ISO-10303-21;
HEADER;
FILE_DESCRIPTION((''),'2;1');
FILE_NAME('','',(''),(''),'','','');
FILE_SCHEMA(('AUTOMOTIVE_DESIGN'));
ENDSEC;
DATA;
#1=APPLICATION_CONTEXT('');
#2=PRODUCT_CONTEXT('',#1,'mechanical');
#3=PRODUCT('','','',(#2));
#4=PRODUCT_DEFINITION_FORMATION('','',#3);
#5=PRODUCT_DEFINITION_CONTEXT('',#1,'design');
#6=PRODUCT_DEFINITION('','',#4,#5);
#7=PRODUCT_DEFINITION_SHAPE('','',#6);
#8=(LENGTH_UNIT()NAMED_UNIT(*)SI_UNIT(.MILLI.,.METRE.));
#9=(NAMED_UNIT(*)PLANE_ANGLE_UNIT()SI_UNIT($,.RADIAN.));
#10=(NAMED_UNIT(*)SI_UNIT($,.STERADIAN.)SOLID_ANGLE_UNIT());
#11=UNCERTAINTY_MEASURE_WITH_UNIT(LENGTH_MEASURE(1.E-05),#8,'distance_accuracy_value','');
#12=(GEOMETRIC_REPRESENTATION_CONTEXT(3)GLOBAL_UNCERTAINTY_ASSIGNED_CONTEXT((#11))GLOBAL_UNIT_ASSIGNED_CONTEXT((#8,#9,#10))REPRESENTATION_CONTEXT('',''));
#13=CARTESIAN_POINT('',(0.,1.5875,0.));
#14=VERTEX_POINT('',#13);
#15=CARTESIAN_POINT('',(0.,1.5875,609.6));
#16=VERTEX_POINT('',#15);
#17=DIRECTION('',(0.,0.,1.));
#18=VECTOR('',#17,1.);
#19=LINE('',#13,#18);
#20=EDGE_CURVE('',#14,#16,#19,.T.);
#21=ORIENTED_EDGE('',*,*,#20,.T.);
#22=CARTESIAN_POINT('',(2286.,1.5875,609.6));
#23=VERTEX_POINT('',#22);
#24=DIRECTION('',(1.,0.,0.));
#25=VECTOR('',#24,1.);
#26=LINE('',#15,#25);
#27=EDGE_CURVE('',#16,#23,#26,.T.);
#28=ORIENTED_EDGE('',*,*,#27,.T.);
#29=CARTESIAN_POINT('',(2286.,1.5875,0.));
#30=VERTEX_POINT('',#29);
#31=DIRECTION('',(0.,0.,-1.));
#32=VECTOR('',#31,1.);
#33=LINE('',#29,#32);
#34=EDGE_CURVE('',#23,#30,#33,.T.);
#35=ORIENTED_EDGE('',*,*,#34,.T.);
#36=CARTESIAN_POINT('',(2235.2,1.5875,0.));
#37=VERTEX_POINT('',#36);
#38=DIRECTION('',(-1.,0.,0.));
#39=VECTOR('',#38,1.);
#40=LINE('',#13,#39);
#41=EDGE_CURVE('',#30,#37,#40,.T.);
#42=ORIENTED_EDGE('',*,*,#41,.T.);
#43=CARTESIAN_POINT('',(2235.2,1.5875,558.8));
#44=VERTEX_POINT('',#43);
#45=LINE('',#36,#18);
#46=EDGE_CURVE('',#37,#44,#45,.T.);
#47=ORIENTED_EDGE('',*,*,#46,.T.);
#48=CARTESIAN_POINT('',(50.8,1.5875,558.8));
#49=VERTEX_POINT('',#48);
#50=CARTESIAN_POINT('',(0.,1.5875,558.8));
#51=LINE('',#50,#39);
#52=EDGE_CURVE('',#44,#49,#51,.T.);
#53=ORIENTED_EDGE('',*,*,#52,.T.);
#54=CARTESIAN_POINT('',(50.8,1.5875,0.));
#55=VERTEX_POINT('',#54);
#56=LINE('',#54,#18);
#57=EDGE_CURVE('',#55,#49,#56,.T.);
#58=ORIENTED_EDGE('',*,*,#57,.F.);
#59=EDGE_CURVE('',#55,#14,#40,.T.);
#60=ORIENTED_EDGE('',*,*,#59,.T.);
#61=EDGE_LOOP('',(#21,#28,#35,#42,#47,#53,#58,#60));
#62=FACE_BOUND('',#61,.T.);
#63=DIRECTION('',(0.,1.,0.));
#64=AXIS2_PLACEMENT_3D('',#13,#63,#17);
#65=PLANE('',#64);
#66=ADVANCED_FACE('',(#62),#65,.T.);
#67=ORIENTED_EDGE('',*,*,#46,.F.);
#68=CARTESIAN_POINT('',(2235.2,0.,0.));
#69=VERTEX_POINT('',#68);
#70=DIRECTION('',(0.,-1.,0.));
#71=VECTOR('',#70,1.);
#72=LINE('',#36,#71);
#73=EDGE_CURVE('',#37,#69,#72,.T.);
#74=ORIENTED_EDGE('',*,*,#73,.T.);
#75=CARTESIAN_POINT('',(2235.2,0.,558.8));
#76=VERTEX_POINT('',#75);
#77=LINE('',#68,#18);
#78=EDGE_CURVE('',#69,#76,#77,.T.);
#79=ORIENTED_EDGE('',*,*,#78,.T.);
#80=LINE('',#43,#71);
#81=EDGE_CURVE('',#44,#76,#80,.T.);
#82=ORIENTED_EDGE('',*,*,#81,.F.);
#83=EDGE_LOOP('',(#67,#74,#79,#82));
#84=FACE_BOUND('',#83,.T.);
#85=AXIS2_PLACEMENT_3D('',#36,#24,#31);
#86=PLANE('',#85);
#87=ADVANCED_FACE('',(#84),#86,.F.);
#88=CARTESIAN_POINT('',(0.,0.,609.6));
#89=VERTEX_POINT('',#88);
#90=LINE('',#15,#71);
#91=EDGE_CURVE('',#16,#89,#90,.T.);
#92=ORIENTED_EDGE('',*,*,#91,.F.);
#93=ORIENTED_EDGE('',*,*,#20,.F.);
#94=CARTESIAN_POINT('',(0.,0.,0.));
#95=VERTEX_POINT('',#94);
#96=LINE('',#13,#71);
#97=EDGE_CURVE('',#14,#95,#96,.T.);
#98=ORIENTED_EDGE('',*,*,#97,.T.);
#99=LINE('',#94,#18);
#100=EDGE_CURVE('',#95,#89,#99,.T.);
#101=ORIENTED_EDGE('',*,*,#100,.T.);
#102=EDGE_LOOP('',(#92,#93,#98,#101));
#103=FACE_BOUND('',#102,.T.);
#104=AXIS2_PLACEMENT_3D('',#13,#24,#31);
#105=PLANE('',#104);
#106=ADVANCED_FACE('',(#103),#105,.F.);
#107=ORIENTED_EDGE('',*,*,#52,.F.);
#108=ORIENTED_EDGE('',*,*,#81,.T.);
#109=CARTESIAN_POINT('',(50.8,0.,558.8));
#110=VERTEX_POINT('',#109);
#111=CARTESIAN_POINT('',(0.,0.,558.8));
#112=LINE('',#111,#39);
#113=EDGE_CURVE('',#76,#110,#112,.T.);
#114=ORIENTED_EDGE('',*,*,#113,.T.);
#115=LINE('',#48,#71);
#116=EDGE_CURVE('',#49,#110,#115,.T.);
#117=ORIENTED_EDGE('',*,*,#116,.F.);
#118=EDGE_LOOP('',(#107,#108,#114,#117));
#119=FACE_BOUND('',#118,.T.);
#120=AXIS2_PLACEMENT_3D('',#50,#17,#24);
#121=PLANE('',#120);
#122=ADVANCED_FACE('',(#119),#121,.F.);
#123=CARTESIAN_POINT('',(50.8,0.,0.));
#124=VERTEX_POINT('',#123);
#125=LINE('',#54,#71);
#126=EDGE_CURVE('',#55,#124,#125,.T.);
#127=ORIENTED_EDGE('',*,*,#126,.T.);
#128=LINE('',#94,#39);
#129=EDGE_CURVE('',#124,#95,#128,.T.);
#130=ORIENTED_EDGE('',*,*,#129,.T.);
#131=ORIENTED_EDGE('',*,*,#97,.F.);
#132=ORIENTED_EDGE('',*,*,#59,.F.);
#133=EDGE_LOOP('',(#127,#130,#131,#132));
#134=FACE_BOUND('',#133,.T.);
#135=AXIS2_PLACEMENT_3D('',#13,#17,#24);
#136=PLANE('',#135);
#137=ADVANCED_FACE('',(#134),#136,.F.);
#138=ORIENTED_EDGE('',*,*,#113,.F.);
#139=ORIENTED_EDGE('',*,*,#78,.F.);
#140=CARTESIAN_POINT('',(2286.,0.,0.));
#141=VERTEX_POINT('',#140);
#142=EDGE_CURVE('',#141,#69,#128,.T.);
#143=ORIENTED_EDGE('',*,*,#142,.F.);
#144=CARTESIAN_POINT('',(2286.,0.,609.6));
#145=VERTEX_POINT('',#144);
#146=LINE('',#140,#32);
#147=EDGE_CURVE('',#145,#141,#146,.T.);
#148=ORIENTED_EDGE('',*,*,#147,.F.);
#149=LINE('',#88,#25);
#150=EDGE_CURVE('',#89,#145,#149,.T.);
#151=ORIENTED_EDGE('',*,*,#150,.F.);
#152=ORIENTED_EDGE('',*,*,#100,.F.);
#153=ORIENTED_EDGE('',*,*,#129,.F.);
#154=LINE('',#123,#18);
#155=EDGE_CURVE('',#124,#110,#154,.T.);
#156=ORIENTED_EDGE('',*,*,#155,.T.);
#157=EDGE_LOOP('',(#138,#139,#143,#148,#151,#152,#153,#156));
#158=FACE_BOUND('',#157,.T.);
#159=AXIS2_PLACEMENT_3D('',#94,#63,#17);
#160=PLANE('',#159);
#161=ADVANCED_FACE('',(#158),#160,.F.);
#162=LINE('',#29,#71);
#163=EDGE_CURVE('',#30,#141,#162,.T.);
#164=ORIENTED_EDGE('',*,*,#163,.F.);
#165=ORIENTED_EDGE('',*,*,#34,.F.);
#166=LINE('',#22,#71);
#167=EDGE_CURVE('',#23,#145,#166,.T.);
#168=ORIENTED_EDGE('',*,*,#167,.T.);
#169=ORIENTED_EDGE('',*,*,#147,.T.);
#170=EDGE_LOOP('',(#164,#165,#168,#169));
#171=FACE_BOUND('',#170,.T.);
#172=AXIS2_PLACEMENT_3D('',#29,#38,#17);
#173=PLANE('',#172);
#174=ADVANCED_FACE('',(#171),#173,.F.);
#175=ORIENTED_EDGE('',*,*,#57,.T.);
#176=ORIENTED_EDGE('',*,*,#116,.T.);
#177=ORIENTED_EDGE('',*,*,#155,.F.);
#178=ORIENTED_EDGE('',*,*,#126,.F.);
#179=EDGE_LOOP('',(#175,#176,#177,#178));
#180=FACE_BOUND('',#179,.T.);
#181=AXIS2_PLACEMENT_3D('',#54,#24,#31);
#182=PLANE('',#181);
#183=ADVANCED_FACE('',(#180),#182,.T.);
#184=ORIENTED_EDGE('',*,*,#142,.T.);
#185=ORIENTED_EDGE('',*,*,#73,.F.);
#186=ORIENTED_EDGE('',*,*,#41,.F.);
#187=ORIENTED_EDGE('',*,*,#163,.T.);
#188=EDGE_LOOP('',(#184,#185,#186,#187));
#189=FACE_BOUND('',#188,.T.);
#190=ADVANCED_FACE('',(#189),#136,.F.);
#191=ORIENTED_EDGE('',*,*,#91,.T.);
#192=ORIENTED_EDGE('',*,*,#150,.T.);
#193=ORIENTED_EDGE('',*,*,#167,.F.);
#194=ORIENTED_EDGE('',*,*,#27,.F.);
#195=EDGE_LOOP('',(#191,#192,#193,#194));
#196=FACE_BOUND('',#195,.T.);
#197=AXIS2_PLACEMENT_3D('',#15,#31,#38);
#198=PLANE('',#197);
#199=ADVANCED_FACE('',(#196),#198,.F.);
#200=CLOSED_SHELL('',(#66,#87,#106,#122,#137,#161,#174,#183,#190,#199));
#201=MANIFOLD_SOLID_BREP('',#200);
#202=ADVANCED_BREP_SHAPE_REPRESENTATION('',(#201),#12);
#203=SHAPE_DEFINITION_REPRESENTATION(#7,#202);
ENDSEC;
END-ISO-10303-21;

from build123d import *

# Parameters (mm, degrees)
BOSS_EXTRUDE1_DEPTH = 1.5875


with BuildPart() as part:
    # Sketch1 → Boss-Extrude1 (new body)
    with BuildSketch(Plane(origin=(0, 0, 0), x_dir=(1, 0, 0), z_dir=(0, 1, 0))):
        Polygon((0, 0), (0, -609.6), (2286, -609.6), (2286, 0), (2235.2, 0), (2235.2, -558.8), (50.8, -558.8), (50.8, 0), align=None)
    extrude(amount=BOSS_EXTRUDE1_DEPTH)


solid = part.part
